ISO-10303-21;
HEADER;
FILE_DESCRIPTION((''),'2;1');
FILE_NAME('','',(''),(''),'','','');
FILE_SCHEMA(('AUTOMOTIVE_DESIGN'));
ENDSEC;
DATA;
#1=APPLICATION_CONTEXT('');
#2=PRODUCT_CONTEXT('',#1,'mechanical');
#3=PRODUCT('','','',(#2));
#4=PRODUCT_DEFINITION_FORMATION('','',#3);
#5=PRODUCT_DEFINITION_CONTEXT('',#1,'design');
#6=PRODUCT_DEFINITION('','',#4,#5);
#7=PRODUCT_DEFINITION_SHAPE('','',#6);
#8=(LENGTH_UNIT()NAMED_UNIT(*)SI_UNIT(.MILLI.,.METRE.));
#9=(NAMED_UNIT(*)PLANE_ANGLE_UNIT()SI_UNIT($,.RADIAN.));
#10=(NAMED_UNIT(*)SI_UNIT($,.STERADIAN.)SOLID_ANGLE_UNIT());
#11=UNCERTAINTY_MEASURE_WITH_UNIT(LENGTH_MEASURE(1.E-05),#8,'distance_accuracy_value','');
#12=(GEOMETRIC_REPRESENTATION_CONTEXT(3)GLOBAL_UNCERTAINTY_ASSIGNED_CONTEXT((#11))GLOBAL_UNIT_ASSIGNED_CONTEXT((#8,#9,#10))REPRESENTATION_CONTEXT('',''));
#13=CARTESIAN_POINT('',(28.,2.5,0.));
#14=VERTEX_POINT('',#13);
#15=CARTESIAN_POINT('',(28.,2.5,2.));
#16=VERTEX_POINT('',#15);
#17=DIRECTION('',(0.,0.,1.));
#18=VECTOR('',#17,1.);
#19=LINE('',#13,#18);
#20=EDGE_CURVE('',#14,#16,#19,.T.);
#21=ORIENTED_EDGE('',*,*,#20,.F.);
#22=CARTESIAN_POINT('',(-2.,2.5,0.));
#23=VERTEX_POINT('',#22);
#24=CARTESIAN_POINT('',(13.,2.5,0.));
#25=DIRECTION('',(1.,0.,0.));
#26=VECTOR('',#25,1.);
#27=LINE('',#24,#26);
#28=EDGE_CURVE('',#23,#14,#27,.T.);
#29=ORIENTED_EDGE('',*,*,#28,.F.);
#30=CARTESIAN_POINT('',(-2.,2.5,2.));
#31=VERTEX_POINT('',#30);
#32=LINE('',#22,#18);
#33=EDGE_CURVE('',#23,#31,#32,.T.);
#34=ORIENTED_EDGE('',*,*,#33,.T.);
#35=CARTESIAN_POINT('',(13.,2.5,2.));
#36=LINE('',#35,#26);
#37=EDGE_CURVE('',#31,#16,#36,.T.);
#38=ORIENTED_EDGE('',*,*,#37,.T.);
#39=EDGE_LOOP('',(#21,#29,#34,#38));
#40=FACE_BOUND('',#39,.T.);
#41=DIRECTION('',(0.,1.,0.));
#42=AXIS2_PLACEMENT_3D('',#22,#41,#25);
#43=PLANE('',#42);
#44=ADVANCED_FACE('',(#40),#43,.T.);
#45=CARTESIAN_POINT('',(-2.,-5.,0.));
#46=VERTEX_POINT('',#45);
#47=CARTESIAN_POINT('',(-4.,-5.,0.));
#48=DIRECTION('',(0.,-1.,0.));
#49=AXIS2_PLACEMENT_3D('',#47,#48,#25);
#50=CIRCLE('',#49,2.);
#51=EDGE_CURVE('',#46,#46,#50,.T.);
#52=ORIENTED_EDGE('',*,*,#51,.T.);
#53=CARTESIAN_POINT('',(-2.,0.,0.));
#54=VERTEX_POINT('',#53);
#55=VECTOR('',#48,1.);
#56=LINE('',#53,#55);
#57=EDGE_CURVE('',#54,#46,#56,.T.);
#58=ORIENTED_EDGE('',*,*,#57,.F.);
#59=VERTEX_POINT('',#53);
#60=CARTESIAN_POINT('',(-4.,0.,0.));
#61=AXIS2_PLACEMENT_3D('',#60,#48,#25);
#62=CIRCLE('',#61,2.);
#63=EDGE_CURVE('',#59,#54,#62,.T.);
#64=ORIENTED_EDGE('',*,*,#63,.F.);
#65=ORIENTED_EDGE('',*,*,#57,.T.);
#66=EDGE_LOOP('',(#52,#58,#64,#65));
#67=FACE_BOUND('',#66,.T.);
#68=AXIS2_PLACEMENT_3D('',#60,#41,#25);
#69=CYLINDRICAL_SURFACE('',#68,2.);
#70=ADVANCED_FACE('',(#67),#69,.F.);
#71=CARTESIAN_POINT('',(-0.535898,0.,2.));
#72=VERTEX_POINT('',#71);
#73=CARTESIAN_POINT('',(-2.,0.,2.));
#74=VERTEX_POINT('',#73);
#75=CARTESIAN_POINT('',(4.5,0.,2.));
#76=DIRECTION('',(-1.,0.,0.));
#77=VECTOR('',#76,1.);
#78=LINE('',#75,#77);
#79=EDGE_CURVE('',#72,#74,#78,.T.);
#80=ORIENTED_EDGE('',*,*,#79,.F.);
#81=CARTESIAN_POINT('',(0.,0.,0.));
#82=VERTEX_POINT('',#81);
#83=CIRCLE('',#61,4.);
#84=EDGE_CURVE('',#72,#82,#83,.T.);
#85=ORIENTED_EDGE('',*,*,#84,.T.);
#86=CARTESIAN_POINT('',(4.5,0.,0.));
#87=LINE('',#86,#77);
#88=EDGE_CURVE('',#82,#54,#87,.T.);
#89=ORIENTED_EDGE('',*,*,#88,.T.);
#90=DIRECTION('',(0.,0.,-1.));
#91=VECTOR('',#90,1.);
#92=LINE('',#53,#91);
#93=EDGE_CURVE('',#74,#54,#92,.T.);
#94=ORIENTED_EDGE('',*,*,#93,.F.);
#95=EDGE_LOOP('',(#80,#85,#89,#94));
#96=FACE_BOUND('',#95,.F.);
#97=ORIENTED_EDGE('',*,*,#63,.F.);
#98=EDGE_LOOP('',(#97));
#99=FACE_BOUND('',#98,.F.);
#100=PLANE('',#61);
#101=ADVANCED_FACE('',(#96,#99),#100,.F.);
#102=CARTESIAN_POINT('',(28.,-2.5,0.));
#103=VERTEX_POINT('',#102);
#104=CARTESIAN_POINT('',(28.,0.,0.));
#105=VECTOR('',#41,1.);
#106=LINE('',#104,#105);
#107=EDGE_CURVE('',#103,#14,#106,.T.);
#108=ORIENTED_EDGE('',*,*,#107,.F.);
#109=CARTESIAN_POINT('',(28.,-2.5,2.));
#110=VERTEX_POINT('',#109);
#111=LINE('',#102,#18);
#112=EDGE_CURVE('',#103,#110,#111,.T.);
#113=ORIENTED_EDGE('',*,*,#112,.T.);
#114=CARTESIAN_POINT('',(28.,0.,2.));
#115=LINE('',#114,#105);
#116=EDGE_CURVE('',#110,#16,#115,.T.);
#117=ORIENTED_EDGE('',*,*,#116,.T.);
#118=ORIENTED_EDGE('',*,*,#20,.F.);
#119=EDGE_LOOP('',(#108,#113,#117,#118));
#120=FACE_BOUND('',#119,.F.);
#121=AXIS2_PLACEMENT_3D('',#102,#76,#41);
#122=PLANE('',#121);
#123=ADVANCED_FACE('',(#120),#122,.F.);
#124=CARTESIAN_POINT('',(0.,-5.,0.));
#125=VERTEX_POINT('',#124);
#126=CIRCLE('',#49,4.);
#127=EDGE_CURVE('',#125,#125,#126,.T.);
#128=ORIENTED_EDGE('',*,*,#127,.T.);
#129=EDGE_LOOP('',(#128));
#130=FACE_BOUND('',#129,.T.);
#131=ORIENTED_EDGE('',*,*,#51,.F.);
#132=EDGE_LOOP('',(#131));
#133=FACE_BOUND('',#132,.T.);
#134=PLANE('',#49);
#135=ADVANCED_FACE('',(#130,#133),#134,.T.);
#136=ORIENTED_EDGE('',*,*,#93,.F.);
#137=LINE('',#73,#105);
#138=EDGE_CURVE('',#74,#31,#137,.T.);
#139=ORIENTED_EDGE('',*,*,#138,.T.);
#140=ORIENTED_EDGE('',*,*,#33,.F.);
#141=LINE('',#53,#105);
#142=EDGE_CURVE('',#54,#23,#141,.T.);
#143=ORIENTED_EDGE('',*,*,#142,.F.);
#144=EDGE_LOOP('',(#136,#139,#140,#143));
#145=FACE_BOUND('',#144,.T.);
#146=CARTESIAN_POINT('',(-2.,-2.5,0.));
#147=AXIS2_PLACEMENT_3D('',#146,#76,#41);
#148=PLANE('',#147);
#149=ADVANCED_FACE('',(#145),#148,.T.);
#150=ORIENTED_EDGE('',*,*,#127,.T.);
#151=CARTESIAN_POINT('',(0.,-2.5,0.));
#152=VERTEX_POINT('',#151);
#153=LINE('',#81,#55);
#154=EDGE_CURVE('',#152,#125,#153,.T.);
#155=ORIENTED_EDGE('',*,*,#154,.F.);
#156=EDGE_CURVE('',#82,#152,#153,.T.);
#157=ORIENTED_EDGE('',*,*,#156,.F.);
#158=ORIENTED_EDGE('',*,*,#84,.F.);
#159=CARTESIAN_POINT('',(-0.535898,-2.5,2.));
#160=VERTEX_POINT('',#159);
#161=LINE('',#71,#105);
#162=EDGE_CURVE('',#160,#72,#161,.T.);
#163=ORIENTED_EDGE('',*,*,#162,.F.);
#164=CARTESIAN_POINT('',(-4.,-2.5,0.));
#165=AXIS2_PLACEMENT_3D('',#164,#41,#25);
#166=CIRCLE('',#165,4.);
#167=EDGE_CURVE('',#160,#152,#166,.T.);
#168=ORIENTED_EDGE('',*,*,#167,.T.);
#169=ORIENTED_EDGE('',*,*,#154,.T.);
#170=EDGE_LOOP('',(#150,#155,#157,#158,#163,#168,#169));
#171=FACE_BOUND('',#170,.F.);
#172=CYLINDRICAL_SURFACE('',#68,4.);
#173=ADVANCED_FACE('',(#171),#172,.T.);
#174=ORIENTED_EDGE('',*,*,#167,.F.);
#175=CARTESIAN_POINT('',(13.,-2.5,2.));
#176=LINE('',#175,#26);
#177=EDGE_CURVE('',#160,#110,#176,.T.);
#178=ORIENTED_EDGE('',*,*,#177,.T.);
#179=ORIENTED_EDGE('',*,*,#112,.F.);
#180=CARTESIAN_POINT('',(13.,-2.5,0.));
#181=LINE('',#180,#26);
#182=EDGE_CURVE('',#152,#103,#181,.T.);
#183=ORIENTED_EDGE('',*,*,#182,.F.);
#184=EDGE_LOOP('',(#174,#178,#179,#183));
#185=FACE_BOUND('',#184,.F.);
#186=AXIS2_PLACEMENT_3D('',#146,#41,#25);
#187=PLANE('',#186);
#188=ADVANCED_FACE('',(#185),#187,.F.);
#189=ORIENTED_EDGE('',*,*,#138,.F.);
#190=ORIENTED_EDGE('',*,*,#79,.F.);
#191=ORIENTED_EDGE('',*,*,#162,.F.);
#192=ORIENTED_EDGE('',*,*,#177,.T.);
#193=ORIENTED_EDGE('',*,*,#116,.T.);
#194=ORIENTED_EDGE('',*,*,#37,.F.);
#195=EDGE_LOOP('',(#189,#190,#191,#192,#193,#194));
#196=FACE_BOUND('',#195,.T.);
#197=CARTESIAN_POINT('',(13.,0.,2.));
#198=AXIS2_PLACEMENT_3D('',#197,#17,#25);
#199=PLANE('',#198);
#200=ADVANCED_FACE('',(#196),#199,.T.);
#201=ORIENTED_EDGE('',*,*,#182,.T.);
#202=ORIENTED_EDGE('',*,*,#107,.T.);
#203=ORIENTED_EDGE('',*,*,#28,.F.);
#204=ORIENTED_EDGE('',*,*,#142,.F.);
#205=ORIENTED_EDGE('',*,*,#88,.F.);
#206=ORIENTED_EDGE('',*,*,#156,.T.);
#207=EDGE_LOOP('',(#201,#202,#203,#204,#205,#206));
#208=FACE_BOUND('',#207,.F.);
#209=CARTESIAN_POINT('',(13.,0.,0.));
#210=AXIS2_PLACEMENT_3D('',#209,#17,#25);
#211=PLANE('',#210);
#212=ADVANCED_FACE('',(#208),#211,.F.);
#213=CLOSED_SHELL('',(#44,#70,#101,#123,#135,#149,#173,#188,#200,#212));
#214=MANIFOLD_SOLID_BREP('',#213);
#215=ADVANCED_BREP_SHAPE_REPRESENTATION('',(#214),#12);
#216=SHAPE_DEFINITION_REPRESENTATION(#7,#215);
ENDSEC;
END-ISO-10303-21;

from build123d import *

# Parameters (mm, degrees)
F1_R     = 4
F1_R_2   = 2
F2_DEPTH = 5
F0_W     = 30
F0_H     = 5
F3_DEPTH = 2


with BuildPart() as f2:
    # F1 (on Front) → F2 (new body)
    with BuildSketch(Plane.XZ):
        with Locations((-4, 0)):
            Circle(F1_R)
        with Locations((-4, 0)):
            Circle(F1_R_2, mode=Mode.SUBTRACT)
    extrude(amount=F2_DEPTH)

    # F0 (on Top) → F3 (join)
    with BuildSketch(Plane.XY):
        with Locations((13, 0)):
            Rectangle(F0_W, F0_H)
    extrude(amount=F3_DEPTH)


solid = f2.part
